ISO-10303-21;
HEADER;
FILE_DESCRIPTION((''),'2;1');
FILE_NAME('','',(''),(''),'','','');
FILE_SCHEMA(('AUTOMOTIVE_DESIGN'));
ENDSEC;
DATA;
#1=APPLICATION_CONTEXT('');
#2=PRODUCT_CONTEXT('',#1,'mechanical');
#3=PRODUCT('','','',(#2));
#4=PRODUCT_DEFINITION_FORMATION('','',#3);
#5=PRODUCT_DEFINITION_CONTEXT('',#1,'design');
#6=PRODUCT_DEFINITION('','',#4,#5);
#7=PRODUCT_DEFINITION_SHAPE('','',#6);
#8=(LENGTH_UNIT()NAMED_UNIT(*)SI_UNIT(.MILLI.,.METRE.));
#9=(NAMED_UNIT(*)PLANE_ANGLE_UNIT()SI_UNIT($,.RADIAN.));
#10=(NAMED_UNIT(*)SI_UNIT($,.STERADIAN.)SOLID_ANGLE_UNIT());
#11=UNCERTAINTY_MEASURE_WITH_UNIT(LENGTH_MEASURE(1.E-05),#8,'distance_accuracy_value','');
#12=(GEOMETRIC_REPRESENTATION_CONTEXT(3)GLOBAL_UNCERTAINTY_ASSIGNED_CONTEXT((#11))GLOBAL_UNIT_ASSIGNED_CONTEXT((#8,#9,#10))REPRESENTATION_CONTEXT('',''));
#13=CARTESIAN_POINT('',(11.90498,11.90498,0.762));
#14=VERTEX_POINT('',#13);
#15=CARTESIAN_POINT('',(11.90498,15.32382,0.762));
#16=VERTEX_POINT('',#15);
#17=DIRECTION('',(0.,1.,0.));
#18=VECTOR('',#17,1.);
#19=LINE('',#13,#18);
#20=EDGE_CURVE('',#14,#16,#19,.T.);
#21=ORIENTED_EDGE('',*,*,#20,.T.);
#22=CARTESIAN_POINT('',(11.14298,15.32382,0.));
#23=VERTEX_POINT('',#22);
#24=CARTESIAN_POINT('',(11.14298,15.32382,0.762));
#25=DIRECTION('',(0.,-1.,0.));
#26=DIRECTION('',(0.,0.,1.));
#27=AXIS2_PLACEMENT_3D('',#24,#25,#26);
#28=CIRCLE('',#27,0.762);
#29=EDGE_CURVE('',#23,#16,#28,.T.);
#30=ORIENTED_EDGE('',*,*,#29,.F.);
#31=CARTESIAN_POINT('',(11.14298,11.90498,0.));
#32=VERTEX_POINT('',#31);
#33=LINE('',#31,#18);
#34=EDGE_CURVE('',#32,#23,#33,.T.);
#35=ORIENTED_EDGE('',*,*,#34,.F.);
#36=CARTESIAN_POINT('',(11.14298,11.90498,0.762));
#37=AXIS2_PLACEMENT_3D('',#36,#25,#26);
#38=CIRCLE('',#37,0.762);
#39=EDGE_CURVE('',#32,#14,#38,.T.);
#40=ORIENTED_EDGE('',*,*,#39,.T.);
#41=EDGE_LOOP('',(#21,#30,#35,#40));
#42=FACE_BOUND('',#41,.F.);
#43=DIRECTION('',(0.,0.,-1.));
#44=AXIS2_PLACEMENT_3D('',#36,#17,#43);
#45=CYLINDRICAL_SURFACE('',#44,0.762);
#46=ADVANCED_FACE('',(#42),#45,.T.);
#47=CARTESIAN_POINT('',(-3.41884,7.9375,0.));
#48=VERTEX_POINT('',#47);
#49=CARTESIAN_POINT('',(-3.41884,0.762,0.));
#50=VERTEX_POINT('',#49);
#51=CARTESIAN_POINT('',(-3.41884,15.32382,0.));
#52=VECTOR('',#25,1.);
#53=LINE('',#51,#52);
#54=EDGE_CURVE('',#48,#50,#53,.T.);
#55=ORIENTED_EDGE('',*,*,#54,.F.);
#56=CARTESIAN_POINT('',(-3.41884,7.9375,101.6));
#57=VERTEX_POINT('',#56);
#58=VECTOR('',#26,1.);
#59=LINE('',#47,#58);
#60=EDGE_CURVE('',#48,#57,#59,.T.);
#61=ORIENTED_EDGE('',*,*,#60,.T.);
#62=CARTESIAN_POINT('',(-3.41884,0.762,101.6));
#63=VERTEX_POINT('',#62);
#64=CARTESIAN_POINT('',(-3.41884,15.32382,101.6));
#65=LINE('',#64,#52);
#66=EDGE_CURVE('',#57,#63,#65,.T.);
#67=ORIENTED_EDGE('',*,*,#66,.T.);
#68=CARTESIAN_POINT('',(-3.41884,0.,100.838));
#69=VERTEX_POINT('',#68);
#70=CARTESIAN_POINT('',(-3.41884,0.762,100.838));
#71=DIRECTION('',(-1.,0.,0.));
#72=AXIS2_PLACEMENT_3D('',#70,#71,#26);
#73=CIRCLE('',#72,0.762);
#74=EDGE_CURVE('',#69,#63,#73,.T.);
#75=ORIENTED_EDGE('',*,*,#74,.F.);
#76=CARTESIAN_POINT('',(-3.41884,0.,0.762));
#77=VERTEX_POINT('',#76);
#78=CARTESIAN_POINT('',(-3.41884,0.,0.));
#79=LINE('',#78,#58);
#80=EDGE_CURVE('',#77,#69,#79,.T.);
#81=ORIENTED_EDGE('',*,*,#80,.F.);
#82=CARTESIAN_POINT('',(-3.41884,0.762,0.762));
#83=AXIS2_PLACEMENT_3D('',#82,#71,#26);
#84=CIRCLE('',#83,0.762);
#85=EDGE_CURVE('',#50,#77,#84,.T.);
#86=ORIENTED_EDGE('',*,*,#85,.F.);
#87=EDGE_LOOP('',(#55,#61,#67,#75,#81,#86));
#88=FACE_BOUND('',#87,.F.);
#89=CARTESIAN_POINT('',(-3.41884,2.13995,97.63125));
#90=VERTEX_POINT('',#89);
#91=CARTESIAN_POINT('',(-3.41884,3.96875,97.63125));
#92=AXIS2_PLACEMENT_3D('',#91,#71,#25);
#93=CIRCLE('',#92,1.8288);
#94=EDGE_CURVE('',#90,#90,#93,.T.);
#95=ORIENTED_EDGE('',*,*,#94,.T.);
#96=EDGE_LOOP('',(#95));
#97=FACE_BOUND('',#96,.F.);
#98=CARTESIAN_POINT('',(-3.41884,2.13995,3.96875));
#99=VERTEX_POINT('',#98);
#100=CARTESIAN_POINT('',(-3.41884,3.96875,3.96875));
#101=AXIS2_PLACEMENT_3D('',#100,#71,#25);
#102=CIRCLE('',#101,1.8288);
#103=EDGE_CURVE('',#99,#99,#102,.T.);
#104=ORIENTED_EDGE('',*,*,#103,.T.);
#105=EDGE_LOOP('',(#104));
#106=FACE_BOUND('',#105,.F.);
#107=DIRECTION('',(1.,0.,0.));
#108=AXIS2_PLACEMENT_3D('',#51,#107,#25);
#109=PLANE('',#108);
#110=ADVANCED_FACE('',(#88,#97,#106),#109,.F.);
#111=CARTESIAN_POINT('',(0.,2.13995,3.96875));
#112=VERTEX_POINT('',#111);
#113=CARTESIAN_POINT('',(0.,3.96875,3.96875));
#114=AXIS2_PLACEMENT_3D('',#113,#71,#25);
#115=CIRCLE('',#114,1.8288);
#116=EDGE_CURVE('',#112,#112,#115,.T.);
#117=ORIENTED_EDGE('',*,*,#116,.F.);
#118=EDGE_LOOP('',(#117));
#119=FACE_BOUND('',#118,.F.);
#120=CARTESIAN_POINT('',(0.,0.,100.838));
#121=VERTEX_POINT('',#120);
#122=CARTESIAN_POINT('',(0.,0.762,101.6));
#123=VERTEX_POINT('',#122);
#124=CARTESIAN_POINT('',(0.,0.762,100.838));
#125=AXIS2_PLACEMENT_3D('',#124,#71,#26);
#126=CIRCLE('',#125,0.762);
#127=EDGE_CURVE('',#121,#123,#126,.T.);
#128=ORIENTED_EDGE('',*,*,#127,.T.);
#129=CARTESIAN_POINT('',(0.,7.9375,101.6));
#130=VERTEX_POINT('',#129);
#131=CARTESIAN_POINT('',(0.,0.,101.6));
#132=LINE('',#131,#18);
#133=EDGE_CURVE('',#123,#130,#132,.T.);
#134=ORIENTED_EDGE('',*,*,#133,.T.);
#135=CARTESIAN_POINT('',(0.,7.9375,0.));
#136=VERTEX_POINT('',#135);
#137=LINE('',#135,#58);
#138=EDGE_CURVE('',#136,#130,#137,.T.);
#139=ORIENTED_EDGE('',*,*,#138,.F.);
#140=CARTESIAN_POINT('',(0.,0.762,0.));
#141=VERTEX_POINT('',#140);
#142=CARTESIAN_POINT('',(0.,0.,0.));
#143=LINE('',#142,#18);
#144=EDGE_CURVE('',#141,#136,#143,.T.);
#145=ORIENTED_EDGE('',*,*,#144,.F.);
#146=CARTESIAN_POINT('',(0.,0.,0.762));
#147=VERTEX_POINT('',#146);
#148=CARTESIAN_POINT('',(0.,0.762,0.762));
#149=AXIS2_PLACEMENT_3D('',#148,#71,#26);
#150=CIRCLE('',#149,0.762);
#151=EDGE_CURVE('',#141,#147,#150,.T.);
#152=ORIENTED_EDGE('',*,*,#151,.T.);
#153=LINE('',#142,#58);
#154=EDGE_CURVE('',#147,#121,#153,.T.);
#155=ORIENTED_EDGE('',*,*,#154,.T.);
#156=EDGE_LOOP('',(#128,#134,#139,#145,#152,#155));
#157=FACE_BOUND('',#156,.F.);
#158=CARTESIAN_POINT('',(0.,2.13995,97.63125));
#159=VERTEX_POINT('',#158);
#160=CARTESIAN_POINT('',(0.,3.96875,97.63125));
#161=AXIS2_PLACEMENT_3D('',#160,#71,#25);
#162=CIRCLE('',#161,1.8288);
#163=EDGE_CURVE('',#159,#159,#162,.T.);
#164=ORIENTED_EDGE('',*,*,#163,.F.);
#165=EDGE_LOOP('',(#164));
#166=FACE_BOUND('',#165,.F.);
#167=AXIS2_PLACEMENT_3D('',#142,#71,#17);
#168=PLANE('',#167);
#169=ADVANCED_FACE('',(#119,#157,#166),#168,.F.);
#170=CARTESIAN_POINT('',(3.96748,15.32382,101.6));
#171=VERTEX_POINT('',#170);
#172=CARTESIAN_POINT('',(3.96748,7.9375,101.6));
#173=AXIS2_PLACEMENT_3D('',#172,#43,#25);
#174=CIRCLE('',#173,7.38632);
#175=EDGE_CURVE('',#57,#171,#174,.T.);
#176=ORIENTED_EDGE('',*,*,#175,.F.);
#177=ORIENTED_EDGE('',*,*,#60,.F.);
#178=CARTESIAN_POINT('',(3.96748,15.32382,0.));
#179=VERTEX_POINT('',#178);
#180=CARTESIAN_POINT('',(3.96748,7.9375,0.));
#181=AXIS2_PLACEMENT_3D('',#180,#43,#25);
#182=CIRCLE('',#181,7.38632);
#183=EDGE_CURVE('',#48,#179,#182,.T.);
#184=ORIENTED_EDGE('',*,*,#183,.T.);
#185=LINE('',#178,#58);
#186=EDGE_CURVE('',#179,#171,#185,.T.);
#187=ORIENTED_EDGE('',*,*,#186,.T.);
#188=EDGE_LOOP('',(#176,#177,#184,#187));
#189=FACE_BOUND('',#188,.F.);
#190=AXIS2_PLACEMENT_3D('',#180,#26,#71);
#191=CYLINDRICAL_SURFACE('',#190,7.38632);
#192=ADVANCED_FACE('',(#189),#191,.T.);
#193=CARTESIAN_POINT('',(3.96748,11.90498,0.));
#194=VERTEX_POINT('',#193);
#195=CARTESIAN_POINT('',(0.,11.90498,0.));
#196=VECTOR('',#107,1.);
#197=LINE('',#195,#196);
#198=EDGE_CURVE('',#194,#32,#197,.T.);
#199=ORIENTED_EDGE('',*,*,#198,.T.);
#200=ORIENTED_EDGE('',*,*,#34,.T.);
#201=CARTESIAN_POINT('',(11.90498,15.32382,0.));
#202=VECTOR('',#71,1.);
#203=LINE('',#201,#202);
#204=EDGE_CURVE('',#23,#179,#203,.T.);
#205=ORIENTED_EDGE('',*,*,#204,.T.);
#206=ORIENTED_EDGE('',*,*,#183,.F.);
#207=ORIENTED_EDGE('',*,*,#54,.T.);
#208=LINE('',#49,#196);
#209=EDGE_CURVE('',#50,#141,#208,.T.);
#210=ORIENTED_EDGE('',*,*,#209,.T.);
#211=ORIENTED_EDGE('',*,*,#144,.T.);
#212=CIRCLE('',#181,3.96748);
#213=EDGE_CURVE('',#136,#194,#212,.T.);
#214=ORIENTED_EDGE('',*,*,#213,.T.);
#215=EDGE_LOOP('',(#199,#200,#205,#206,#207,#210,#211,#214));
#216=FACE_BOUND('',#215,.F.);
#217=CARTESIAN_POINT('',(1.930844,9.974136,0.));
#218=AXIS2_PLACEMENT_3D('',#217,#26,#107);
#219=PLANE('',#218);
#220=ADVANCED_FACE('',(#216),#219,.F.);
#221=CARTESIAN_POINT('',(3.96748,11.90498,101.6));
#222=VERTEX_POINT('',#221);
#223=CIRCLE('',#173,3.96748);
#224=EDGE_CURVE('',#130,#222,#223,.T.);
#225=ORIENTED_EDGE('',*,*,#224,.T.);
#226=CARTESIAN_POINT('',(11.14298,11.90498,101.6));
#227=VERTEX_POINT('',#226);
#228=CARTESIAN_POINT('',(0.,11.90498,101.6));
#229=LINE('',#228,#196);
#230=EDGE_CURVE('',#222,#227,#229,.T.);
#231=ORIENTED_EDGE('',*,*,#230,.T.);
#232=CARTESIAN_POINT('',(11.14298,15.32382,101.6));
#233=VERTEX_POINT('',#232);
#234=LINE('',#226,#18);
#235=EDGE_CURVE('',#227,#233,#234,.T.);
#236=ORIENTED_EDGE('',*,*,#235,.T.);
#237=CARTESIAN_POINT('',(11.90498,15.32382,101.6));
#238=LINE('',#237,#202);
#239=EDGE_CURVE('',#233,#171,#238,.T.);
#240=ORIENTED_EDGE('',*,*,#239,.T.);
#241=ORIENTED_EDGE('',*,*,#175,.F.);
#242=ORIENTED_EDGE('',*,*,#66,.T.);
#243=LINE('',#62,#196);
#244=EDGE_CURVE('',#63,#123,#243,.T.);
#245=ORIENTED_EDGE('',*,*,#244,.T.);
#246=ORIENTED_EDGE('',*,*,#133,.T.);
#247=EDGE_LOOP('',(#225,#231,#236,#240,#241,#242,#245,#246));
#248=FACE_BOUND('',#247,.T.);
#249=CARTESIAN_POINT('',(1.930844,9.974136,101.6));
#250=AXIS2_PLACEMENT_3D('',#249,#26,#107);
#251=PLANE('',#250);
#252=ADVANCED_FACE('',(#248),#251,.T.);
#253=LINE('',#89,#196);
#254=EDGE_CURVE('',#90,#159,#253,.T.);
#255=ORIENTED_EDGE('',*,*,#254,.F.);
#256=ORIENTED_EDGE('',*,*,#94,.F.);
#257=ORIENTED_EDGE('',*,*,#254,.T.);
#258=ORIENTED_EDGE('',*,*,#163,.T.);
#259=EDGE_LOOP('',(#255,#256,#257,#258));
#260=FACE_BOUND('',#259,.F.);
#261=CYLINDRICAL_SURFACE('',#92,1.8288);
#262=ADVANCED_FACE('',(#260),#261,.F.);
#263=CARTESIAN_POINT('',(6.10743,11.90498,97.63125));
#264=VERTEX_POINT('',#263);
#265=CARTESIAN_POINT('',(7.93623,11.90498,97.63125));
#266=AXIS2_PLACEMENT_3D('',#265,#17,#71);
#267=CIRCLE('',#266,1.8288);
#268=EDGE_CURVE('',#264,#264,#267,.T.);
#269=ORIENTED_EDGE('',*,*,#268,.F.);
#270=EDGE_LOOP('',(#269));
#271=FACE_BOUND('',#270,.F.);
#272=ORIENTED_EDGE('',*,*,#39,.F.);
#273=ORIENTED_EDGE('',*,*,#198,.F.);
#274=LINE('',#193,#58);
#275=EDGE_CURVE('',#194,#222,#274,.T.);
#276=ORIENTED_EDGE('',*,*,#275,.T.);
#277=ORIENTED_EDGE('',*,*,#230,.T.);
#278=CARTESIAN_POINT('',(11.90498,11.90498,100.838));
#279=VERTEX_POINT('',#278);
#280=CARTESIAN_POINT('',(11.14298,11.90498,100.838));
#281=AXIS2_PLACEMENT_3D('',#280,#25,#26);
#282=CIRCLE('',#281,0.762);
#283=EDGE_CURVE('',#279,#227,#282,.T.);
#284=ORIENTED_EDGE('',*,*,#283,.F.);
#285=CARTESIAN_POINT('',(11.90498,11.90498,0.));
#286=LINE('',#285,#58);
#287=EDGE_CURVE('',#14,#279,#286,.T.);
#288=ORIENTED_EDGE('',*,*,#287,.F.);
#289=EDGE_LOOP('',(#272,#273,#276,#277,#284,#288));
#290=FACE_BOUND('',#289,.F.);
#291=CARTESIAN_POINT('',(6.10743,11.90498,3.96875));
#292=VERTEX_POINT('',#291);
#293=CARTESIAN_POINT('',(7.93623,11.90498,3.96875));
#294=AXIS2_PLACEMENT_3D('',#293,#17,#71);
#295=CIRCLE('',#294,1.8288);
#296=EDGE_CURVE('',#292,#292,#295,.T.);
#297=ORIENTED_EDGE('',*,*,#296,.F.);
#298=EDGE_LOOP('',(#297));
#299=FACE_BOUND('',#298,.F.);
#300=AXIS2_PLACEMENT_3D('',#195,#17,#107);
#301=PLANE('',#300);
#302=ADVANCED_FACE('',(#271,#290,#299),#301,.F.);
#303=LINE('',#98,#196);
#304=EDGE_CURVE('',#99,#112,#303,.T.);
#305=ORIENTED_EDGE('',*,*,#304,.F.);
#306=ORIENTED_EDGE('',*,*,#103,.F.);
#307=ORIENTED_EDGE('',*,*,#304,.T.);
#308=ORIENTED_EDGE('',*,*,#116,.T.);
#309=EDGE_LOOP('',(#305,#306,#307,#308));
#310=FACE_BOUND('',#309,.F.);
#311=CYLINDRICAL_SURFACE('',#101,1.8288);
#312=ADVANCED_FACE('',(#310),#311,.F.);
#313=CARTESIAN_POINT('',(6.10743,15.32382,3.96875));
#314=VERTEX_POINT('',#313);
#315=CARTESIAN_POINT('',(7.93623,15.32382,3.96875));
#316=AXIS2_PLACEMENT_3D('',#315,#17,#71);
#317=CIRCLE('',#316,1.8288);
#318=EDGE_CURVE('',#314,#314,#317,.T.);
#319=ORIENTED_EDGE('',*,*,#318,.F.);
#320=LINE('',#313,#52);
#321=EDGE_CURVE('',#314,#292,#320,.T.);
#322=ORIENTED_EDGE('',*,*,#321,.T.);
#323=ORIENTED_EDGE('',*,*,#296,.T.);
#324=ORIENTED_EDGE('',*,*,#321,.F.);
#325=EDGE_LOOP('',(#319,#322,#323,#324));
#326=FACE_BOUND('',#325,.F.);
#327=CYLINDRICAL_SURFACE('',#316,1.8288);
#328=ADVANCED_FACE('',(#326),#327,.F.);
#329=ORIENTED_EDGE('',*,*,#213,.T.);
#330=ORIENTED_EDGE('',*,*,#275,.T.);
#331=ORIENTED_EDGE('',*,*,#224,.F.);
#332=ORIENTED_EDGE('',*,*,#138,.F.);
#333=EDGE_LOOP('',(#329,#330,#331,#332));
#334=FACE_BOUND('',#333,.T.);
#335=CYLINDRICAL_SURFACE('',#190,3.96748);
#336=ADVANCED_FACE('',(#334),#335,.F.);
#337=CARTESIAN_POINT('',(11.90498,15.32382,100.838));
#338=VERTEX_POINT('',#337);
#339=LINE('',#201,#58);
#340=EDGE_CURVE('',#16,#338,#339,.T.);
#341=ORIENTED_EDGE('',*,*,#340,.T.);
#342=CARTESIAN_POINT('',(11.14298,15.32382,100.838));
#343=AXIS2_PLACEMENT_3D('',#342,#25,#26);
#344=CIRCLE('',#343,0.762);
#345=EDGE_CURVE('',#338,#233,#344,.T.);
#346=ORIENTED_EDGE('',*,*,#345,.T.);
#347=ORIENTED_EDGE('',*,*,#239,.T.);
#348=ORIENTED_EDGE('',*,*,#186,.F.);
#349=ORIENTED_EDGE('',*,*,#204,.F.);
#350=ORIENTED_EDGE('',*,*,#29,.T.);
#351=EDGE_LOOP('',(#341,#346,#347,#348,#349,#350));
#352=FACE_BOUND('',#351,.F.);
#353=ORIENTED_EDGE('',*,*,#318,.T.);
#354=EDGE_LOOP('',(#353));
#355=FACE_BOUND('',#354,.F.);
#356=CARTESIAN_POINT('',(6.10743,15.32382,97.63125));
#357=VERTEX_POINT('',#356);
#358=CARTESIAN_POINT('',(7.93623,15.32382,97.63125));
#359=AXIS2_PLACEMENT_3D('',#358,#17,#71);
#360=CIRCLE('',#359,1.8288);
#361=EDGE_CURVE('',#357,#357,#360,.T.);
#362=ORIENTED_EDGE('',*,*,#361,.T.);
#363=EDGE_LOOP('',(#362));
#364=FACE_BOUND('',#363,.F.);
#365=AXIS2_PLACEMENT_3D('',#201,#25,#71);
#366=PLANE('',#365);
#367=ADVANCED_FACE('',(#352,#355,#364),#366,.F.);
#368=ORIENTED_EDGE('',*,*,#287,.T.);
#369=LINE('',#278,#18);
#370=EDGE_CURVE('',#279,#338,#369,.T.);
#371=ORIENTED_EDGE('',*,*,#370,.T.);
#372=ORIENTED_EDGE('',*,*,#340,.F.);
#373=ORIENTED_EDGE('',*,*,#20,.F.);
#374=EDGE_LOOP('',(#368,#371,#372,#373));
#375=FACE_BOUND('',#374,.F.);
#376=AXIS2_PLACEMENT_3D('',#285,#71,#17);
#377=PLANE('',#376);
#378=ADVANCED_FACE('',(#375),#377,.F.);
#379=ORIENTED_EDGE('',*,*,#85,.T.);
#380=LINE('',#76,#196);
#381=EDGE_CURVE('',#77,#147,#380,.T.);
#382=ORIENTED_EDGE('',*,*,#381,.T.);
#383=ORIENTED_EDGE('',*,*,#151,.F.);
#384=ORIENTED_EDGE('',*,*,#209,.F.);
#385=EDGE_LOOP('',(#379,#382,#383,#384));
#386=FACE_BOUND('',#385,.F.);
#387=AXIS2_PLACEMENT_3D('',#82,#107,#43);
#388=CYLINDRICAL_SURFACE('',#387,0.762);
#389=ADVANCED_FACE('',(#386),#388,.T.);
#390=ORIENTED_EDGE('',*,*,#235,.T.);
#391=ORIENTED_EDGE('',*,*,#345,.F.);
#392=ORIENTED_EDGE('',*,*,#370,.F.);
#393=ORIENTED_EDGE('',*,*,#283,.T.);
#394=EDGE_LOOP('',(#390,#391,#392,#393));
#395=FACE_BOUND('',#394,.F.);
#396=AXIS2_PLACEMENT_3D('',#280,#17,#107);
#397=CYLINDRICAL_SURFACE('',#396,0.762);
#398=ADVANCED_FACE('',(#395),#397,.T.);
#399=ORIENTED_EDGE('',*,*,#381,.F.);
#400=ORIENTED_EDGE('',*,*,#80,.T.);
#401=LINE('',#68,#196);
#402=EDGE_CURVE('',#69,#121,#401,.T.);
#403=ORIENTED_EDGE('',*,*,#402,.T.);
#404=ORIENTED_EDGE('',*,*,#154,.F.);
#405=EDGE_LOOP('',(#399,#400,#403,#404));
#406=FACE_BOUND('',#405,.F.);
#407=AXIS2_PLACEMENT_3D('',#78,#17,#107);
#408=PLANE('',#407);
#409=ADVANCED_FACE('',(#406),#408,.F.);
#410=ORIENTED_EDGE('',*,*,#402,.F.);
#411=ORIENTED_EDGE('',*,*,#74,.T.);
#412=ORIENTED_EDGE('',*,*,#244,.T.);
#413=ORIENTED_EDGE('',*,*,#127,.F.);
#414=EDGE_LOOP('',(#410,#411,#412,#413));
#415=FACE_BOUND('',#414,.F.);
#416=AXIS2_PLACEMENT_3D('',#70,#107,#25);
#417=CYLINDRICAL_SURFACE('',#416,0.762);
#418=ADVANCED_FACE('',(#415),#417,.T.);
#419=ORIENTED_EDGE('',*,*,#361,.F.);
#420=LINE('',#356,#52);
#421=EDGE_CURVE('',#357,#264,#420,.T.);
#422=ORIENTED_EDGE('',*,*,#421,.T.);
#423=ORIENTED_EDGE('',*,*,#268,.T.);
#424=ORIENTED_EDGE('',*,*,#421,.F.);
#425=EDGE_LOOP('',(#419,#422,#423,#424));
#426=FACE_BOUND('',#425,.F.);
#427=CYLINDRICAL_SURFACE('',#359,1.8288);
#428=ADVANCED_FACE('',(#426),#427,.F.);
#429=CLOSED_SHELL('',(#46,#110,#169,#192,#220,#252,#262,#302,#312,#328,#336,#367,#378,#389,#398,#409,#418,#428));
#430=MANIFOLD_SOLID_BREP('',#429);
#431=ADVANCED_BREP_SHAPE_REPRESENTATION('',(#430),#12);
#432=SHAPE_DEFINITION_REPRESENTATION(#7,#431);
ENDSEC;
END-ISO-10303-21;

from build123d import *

# Parameters (mm, degrees)
F1_DEPTH = 101.6
F2_R     = 3.96748
F3_R     = 7.38632
F4_R     = 1.8288
F5_DEPTH = 3.41884
F6_R     = 1.8288
F7_DEPTH = 3.41884
F8_R     = 0.762


with BuildPart() as f1:
    # F0 (on Top) → F1 (new body)
    with BuildSketch(Plane.XY):
        Polygon((-3.41884, 0), (0, 0), (0, 11.90498), (11.90498, 11.90498), (11.90498, 15.32382), (-3.41884, 15.32382), align=None)
    extrude(amount=F1_DEPTH)

    # F2
    f2_edges = [f1.edges().sort_by_distance(p)[0] for p in [
        (0, 11.90498, 50.8),
    ]]
    fillet(f2_edges, radius=F2_R)

    # F3
    f3_edges = [f1.edges().sort_by_distance(p)[0] for p in [
        (-3.41884, 15.32382, 50.8),
    ]]
    fillet(f3_edges, radius=F3_R)

    # F4 (on face) → F5 (cut, through all)
    with BuildSketch(Plane(origin=(0, 15.32382, 0), x_dir=(-1, 0, 0), z_dir=(0, 1, 0))):
        with Locations((-7.93623, 97.63125)):
            Circle(F4_R)
        with Locations((-7.93623, 3.96875)):
            Circle(F4_R)
    extrude(amount=-F5_DEPTH, mode=Mode.SUBTRACT)

    # F6 (on face) → F7 (cut, through all)
    with BuildSketch(Plane(origin=(-3.41884, 0, 0), x_dir=(0, -1, 0), z_dir=(-1, 0, 0))):
        with Locations((-3.96875, 97.63125)):
            Circle(F6_R)
        with Locations((-3.96875, 3.96875)):
            Circle(F6_R)
    extrude(amount=-F7_DEPTH, mode=Mode.SUBTRACT)

    # F8
    f8_edges = [f1.edges().sort_by_distance(p)[0] for p in [
        (-1.70942, 0, 101.6),
        (11.90498, 13.6144, 101.6),
        (11.90498, 13.6144, 0),
        (-1.70942, 0, 0),
    ]]
    fillet(f8_edges, radius=F8_R)


solid = f1.part
